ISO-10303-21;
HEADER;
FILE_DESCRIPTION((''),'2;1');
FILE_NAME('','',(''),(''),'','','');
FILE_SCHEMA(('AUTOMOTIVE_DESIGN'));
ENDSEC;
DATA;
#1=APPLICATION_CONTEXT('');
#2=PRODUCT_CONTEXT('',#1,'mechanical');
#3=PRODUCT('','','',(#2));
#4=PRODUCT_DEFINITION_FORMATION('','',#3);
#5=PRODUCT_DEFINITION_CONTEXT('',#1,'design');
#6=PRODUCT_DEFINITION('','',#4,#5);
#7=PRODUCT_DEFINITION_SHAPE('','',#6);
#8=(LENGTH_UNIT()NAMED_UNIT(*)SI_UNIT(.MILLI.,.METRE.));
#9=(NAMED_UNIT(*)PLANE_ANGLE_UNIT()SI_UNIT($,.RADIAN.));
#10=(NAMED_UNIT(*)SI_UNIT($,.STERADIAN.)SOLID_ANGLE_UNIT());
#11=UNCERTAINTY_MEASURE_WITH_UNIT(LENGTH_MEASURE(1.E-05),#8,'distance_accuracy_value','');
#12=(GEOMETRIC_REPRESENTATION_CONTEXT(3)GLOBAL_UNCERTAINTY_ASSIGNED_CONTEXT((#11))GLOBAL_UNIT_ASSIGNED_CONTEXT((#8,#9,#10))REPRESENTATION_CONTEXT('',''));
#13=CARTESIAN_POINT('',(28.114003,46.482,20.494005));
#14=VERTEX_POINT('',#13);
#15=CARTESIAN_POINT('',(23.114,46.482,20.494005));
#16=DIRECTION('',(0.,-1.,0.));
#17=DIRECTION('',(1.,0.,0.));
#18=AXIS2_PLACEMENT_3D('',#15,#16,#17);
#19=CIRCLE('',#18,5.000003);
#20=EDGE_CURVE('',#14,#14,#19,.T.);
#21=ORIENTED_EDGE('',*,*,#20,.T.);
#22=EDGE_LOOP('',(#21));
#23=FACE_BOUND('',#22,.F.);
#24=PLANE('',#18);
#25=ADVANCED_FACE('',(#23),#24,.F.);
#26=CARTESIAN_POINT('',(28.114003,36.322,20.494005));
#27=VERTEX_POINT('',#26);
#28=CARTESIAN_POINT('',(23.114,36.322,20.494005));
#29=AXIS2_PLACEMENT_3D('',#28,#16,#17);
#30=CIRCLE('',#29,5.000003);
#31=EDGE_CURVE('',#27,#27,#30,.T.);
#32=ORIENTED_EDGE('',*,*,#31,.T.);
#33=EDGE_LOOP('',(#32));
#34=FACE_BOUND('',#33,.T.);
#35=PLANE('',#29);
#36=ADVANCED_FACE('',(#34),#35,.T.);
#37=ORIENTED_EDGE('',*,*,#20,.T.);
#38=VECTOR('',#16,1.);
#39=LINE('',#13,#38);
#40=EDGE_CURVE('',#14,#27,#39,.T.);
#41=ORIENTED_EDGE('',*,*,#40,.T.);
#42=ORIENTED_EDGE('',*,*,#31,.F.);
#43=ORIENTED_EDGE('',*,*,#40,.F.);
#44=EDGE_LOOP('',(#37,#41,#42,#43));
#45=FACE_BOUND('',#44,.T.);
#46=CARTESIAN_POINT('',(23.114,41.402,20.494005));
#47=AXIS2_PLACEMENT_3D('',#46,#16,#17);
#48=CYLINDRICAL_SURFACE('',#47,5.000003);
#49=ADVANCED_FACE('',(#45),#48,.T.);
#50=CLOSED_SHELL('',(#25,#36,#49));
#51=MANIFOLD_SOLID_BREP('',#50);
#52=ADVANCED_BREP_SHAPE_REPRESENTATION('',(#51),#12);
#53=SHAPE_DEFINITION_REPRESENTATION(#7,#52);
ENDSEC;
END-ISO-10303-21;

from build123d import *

# Parameters (mm, degrees)
F0_R     = 5.000003
F1_DEPTH = 5.08


with BuildPart() as f1:
    # F0 (on Front) → F1 (new body, symmetric)
    with BuildSketch(Plane.XZ):
        with Locations((0, 8.302005)):
            Circle(F0_R)
    extrude(amount=F1_DEPTH, both=True)


with BuildPart() as f1_1:
    # F2: moved
    add(f1.part.moved(Location((23.114, 41.402, 12.192))))


solid = f1_1.part
